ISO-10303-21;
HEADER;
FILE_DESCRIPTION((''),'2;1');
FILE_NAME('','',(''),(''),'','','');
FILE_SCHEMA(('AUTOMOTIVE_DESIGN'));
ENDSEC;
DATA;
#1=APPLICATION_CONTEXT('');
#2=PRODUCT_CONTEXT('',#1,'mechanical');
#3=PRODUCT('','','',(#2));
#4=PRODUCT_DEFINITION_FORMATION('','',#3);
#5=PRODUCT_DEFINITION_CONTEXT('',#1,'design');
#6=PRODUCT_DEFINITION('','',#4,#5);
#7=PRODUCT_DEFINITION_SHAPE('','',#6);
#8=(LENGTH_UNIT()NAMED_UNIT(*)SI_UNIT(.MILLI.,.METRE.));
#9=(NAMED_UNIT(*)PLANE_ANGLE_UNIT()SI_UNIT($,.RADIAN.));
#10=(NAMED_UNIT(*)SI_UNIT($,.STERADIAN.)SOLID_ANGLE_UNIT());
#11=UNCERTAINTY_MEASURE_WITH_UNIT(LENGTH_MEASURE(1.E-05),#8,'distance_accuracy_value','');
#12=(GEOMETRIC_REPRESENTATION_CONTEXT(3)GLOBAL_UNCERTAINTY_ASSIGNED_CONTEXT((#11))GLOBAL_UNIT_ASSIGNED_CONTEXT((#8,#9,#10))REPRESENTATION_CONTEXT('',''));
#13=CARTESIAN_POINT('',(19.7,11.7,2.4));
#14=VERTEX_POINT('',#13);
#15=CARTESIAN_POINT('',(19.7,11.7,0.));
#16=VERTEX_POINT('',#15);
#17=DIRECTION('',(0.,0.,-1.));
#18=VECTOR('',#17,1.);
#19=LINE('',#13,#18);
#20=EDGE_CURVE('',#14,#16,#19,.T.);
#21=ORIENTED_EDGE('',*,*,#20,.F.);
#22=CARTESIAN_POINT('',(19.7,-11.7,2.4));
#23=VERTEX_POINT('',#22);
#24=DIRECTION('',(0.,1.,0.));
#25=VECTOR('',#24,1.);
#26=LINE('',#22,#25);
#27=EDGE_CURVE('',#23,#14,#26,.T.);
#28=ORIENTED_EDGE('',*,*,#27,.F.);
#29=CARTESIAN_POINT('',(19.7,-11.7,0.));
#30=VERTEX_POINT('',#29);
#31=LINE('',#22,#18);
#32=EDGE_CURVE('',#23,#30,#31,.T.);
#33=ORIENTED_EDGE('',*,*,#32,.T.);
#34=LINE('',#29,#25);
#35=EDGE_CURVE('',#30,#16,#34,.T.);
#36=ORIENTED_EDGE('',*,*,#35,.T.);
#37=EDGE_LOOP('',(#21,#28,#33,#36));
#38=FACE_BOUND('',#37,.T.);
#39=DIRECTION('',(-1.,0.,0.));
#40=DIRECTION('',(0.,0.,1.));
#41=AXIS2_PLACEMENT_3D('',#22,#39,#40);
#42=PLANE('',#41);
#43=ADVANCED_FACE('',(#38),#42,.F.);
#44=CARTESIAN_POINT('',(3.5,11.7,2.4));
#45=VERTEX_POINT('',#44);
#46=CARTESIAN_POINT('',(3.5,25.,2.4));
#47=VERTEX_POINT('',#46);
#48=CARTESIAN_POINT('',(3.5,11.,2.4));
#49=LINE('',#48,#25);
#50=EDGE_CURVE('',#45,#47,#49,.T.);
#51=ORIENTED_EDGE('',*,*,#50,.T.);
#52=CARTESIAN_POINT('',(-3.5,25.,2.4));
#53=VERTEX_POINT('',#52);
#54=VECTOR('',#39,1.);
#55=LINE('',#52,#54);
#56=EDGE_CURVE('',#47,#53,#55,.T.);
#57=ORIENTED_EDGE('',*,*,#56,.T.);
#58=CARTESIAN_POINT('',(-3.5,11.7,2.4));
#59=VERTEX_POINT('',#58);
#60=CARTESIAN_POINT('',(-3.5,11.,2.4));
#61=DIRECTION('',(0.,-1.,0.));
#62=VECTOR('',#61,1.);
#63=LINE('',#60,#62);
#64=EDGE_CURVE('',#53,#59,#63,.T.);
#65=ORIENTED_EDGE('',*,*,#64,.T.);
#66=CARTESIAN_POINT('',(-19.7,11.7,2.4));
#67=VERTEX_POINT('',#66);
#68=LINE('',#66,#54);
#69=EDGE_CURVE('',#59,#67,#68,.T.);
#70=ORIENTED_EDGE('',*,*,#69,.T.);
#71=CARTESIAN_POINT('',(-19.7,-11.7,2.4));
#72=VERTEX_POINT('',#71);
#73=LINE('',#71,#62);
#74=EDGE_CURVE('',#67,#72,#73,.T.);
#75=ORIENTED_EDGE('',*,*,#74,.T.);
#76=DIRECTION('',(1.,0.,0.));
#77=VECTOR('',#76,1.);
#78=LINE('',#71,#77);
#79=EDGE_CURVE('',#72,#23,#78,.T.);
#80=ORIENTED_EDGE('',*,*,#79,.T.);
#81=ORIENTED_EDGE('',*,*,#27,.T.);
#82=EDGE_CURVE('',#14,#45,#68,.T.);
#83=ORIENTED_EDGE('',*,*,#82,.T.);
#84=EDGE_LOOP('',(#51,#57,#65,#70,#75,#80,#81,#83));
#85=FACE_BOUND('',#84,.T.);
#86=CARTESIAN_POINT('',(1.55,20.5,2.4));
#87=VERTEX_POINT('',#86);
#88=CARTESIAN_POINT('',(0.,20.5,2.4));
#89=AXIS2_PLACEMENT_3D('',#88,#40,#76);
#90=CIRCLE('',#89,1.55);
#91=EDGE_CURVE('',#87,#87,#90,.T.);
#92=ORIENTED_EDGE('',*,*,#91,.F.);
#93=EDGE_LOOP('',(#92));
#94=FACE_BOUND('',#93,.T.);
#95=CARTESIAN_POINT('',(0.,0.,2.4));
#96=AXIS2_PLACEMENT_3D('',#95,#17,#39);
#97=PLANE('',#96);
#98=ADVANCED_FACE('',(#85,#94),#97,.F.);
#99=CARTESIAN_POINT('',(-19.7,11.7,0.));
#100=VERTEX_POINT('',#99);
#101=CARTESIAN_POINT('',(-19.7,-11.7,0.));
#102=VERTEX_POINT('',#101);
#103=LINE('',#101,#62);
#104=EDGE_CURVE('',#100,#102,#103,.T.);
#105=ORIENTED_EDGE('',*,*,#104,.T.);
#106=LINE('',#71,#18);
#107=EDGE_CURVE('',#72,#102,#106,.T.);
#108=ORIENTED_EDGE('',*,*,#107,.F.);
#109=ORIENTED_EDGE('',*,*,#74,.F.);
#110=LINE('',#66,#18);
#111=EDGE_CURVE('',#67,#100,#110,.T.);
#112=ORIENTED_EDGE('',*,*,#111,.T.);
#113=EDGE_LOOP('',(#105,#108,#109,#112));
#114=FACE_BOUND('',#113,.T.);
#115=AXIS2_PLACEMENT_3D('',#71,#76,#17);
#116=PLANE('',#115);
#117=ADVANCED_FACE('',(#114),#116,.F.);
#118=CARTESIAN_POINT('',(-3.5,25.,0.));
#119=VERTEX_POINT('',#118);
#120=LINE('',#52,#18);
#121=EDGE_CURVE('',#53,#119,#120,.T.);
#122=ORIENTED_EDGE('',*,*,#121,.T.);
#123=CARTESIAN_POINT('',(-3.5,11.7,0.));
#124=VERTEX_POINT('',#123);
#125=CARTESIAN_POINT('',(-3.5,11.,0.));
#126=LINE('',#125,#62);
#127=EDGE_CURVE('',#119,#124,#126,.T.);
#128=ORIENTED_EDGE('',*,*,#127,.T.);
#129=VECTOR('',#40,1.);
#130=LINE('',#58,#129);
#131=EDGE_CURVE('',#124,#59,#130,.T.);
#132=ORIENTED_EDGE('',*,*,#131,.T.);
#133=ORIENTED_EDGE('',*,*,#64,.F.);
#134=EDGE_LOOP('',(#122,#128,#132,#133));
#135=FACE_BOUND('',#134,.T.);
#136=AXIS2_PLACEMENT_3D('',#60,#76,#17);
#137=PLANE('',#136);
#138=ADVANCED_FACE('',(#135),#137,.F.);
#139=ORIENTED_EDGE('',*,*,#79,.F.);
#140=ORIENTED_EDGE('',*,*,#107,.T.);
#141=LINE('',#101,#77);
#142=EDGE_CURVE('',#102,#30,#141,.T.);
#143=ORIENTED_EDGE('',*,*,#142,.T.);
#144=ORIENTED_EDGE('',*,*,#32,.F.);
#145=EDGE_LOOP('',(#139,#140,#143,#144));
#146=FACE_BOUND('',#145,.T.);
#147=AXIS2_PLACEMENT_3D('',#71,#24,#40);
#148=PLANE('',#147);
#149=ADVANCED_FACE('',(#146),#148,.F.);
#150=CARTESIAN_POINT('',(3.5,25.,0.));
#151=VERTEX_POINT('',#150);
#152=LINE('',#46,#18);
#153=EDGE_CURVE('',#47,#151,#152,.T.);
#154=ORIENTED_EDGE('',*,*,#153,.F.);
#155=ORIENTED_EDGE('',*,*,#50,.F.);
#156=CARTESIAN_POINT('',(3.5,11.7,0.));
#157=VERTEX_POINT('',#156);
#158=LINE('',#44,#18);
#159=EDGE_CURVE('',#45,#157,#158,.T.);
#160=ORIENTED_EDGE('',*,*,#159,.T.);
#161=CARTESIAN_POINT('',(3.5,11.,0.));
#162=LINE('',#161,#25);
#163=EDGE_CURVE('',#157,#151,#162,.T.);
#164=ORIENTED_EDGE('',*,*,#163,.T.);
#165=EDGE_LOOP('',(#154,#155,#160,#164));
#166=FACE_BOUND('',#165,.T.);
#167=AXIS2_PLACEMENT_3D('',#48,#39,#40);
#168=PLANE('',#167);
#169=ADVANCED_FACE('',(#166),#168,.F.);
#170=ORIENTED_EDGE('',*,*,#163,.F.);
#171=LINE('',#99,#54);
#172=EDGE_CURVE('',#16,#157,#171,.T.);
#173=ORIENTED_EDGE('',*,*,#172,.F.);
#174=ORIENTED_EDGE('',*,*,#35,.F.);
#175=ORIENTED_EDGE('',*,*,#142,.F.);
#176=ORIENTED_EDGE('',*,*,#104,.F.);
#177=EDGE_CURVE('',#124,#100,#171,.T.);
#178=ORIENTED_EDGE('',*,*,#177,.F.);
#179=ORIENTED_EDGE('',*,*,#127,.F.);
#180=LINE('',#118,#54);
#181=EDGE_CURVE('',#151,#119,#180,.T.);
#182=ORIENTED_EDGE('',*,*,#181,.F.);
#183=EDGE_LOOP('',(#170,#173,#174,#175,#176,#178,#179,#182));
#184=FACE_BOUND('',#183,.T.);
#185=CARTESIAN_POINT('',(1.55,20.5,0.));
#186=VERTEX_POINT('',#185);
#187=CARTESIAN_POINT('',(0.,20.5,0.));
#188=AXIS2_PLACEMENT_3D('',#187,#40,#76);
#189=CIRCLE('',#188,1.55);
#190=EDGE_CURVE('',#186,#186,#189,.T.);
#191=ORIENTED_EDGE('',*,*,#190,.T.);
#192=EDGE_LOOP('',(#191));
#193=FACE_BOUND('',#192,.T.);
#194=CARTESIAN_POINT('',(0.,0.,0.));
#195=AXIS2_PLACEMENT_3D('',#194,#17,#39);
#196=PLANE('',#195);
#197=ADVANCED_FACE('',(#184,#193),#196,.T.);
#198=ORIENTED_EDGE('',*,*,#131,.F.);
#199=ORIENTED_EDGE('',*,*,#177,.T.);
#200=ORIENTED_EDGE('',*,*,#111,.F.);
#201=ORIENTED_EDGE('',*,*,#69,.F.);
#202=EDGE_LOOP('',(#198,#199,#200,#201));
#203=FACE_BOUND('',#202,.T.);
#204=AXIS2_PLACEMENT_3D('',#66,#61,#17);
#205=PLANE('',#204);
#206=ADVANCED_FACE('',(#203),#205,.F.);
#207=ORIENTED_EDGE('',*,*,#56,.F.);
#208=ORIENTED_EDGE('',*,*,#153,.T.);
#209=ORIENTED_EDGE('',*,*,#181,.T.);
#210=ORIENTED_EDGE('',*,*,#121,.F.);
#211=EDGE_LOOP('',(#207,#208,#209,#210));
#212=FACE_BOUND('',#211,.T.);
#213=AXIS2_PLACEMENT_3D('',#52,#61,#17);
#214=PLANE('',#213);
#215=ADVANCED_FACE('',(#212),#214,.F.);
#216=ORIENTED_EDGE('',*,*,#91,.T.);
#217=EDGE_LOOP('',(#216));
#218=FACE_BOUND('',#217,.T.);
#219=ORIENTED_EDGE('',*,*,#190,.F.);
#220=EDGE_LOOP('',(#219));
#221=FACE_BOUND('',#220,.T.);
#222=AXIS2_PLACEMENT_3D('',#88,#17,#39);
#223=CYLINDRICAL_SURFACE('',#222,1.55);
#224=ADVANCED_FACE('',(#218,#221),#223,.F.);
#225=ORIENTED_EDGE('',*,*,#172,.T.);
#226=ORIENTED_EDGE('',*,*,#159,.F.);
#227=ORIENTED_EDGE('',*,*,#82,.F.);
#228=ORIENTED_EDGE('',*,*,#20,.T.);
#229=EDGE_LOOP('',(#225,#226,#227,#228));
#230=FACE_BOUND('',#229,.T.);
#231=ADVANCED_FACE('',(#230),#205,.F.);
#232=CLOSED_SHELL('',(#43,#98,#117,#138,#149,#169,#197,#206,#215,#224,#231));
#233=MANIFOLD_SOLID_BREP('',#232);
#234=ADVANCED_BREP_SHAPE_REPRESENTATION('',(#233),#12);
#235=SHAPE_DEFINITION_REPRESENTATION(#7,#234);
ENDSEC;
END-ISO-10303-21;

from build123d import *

# Parameters (mm, degrees)
SKETCH2_W            = 39.4
SKETCH2_H            = 23.4
HATCH_PLATE_DEPTH    = 2.4
SKETCH3_W            = 7
SKETCH3_H            = 14
SKETCH3_R            = 1.55
DRIVE_ARM_D3P1_DEPTH = 2.4


with BuildPart() as part:
    # Sketch2 → Hatch_plate (new body)
    with BuildSketch(Plane.XY):
        Rectangle(SKETCH2_W, SKETCH2_H)
    extrude(amount=HATCH_PLATE_DEPTH)

    # Sketch3 → Drive_arm_D3p1 (add)
    with BuildSketch(Plane.XY):
        with Locations((0, 18)):
            Rectangle(SKETCH3_W, SKETCH3_H)
        with Locations((0, 20.5)):
            Circle(SKETCH3_R, mode=Mode.SUBTRACT)
    extrude(amount=DRIVE_ARM_D3P1_DEPTH)


solid = part.part
